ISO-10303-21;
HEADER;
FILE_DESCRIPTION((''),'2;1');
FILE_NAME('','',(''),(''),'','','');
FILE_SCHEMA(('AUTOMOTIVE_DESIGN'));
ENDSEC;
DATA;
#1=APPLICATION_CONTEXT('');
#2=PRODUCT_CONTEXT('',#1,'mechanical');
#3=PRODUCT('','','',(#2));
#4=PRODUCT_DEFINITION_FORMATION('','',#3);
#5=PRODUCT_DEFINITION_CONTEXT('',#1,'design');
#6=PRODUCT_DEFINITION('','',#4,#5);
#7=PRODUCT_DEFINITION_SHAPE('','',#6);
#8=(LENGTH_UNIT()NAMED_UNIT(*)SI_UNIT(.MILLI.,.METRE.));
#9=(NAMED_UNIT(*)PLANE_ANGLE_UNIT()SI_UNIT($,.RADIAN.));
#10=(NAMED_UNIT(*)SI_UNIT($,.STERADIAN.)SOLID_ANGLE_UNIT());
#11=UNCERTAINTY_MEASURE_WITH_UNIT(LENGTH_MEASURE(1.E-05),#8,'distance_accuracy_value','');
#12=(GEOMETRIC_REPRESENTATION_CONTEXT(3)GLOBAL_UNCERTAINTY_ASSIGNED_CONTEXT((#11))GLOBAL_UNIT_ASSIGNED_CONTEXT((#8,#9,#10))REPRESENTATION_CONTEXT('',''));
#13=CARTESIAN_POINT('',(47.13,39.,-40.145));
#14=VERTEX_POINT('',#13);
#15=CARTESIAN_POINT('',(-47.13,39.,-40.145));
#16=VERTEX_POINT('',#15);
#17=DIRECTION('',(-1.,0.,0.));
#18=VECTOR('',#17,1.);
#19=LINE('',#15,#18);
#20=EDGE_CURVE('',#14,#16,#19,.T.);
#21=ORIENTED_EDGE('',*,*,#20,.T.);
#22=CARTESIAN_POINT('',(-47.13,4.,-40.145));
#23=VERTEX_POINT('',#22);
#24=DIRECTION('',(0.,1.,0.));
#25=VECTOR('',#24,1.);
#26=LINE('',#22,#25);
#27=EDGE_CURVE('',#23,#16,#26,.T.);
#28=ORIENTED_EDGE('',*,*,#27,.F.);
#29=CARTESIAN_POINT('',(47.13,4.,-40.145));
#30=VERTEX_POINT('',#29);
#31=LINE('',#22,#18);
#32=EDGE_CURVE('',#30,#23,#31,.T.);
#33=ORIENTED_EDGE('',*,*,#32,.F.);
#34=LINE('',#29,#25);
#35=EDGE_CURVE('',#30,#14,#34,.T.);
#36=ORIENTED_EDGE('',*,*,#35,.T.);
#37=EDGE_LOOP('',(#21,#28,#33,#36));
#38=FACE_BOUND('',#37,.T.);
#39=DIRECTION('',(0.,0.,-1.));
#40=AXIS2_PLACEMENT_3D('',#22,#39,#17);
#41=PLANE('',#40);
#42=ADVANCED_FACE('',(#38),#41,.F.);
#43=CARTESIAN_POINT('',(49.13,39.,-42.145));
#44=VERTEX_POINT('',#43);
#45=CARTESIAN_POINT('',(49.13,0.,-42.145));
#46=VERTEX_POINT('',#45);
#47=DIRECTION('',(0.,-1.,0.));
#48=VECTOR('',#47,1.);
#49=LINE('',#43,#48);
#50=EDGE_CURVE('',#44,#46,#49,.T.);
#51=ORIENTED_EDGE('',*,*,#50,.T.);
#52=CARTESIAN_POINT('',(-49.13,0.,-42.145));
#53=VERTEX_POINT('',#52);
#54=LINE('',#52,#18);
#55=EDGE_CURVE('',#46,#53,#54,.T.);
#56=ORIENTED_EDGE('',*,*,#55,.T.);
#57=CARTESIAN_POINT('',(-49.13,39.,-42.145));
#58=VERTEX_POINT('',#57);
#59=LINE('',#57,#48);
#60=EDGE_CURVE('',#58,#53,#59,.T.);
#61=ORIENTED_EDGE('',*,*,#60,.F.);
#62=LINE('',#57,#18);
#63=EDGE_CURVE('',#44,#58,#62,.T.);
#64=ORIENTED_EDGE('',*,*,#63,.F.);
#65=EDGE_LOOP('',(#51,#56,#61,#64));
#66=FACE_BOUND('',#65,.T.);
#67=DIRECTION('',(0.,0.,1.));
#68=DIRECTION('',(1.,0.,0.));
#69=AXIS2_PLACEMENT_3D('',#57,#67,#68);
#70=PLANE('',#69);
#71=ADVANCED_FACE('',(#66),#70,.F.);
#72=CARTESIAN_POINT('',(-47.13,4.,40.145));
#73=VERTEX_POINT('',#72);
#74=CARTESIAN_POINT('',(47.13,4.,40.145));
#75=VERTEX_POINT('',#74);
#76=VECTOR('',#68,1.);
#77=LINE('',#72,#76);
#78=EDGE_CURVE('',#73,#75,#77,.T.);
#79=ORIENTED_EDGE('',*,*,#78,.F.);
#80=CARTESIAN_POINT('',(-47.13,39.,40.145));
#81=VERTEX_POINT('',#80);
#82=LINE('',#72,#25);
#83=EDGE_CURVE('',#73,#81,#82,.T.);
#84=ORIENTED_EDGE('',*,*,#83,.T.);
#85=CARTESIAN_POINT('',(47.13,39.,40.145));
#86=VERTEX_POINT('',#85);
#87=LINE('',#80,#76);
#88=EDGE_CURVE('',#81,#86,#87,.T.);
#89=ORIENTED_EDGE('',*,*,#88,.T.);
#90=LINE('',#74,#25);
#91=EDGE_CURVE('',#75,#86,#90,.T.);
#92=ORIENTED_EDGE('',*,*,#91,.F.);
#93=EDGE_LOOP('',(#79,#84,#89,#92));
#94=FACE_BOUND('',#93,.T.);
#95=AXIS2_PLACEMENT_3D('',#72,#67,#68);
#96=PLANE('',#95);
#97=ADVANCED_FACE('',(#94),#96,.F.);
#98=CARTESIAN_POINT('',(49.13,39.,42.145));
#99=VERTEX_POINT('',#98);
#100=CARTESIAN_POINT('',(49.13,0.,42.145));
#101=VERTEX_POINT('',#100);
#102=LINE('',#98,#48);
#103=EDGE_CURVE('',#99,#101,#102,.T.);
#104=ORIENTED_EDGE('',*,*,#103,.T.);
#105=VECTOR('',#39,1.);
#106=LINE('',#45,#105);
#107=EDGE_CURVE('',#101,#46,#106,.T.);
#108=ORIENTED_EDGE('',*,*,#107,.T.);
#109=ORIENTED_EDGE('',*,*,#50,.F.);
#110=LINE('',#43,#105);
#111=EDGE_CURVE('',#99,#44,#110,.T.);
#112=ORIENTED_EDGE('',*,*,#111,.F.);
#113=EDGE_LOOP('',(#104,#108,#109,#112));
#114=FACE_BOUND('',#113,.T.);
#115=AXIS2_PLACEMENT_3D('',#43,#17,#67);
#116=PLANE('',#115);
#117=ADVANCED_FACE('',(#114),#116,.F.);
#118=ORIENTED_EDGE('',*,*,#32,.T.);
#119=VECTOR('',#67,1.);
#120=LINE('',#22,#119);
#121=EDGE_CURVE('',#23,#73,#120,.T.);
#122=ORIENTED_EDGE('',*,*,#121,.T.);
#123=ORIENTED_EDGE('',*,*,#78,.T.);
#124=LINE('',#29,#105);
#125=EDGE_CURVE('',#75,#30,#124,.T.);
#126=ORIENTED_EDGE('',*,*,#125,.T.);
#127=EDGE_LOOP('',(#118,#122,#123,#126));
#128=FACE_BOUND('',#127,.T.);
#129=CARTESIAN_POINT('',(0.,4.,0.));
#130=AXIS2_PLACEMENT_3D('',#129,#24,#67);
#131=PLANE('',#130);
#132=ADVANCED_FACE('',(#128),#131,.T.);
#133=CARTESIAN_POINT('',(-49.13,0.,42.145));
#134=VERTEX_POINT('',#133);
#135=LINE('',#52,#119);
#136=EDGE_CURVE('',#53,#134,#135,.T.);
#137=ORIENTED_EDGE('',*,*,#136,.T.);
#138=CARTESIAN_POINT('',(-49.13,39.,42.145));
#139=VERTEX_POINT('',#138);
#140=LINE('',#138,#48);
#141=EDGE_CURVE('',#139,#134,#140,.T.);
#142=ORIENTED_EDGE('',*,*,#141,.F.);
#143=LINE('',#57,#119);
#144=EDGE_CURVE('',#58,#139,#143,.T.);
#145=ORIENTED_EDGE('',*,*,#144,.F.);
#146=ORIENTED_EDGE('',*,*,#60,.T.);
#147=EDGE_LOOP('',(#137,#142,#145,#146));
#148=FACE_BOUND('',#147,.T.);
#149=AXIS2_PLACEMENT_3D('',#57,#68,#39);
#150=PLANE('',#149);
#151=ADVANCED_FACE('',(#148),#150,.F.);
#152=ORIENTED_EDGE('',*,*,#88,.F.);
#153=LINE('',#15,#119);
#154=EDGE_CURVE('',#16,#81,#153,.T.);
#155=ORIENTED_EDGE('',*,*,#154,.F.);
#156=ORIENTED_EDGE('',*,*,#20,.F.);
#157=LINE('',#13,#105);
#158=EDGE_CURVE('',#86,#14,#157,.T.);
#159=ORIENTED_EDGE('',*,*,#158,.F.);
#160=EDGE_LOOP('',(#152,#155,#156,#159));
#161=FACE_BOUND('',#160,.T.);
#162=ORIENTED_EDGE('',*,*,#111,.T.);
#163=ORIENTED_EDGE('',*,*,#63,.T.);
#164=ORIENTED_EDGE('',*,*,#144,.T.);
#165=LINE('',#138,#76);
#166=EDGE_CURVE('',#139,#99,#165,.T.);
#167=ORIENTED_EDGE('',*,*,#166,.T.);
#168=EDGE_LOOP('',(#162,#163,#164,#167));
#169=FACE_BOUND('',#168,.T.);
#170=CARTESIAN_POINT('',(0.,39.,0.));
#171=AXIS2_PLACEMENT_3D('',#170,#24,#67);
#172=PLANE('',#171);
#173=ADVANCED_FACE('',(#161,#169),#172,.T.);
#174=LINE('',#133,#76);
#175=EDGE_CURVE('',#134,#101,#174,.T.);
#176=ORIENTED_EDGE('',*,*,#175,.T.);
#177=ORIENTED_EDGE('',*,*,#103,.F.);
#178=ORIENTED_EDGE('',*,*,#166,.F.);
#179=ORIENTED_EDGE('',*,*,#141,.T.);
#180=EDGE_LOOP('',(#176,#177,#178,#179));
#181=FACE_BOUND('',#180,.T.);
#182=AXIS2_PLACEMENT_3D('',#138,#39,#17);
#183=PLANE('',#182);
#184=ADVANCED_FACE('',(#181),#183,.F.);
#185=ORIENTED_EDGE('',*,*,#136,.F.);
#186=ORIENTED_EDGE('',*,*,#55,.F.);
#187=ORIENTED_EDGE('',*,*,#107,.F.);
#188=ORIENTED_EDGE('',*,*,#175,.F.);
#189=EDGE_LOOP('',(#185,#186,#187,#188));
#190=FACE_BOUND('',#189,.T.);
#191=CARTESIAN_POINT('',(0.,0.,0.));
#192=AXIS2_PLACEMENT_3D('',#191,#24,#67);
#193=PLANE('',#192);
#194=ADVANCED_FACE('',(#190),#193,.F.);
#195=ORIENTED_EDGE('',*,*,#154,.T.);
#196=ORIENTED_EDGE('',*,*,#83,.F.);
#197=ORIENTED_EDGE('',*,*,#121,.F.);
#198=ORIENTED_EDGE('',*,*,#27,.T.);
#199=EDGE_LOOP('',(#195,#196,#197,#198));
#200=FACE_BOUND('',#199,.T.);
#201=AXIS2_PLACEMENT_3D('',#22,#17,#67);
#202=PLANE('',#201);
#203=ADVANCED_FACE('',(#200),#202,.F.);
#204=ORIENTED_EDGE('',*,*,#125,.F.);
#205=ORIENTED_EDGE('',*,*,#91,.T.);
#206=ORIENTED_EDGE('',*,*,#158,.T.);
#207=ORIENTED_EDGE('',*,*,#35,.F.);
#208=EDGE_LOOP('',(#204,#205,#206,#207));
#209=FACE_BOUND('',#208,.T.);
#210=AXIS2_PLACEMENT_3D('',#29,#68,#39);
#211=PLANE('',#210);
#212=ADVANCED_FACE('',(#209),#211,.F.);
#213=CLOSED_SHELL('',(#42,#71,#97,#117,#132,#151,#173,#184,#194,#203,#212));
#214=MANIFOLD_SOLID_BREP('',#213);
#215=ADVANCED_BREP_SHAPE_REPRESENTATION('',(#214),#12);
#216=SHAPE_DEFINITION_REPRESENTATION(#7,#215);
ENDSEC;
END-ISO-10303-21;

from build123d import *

# Parameters (mm, degrees)
SKETCH1_W           = 98.26
SKETCH1_H           = 84.29
BOSS_EXTRUDE1_DEPTH = 39
SKETCH2_W           = 94.26
SKETCH2_H           = 80.29
CUT_EXTRUDE1_DEPTH  = 35


with BuildPart() as part:
    # Sketch1 → Boss-Extrude1 (new body)
    with BuildSketch(Plane(origin=(0, 0, 0), x_dir=(1, 0, 0), z_dir=(0, 1, 0))):
        Rectangle(SKETCH1_W, SKETCH1_H)
    extrude(amount=BOSS_EXTRUDE1_DEPTH)

    # Sketch2 → Cut-Extrude1 (cut)
    with BuildSketch(Plane(origin=(0, 39, 0), x_dir=(1, 0, 0), z_dir=(0, 1, 0))):
        Rectangle(SKETCH2_W, SKETCH2_H)
    extrude(amount=-CUT_EXTRUDE1_DEPTH, mode=Mode.SUBTRACT)


solid = part.part
